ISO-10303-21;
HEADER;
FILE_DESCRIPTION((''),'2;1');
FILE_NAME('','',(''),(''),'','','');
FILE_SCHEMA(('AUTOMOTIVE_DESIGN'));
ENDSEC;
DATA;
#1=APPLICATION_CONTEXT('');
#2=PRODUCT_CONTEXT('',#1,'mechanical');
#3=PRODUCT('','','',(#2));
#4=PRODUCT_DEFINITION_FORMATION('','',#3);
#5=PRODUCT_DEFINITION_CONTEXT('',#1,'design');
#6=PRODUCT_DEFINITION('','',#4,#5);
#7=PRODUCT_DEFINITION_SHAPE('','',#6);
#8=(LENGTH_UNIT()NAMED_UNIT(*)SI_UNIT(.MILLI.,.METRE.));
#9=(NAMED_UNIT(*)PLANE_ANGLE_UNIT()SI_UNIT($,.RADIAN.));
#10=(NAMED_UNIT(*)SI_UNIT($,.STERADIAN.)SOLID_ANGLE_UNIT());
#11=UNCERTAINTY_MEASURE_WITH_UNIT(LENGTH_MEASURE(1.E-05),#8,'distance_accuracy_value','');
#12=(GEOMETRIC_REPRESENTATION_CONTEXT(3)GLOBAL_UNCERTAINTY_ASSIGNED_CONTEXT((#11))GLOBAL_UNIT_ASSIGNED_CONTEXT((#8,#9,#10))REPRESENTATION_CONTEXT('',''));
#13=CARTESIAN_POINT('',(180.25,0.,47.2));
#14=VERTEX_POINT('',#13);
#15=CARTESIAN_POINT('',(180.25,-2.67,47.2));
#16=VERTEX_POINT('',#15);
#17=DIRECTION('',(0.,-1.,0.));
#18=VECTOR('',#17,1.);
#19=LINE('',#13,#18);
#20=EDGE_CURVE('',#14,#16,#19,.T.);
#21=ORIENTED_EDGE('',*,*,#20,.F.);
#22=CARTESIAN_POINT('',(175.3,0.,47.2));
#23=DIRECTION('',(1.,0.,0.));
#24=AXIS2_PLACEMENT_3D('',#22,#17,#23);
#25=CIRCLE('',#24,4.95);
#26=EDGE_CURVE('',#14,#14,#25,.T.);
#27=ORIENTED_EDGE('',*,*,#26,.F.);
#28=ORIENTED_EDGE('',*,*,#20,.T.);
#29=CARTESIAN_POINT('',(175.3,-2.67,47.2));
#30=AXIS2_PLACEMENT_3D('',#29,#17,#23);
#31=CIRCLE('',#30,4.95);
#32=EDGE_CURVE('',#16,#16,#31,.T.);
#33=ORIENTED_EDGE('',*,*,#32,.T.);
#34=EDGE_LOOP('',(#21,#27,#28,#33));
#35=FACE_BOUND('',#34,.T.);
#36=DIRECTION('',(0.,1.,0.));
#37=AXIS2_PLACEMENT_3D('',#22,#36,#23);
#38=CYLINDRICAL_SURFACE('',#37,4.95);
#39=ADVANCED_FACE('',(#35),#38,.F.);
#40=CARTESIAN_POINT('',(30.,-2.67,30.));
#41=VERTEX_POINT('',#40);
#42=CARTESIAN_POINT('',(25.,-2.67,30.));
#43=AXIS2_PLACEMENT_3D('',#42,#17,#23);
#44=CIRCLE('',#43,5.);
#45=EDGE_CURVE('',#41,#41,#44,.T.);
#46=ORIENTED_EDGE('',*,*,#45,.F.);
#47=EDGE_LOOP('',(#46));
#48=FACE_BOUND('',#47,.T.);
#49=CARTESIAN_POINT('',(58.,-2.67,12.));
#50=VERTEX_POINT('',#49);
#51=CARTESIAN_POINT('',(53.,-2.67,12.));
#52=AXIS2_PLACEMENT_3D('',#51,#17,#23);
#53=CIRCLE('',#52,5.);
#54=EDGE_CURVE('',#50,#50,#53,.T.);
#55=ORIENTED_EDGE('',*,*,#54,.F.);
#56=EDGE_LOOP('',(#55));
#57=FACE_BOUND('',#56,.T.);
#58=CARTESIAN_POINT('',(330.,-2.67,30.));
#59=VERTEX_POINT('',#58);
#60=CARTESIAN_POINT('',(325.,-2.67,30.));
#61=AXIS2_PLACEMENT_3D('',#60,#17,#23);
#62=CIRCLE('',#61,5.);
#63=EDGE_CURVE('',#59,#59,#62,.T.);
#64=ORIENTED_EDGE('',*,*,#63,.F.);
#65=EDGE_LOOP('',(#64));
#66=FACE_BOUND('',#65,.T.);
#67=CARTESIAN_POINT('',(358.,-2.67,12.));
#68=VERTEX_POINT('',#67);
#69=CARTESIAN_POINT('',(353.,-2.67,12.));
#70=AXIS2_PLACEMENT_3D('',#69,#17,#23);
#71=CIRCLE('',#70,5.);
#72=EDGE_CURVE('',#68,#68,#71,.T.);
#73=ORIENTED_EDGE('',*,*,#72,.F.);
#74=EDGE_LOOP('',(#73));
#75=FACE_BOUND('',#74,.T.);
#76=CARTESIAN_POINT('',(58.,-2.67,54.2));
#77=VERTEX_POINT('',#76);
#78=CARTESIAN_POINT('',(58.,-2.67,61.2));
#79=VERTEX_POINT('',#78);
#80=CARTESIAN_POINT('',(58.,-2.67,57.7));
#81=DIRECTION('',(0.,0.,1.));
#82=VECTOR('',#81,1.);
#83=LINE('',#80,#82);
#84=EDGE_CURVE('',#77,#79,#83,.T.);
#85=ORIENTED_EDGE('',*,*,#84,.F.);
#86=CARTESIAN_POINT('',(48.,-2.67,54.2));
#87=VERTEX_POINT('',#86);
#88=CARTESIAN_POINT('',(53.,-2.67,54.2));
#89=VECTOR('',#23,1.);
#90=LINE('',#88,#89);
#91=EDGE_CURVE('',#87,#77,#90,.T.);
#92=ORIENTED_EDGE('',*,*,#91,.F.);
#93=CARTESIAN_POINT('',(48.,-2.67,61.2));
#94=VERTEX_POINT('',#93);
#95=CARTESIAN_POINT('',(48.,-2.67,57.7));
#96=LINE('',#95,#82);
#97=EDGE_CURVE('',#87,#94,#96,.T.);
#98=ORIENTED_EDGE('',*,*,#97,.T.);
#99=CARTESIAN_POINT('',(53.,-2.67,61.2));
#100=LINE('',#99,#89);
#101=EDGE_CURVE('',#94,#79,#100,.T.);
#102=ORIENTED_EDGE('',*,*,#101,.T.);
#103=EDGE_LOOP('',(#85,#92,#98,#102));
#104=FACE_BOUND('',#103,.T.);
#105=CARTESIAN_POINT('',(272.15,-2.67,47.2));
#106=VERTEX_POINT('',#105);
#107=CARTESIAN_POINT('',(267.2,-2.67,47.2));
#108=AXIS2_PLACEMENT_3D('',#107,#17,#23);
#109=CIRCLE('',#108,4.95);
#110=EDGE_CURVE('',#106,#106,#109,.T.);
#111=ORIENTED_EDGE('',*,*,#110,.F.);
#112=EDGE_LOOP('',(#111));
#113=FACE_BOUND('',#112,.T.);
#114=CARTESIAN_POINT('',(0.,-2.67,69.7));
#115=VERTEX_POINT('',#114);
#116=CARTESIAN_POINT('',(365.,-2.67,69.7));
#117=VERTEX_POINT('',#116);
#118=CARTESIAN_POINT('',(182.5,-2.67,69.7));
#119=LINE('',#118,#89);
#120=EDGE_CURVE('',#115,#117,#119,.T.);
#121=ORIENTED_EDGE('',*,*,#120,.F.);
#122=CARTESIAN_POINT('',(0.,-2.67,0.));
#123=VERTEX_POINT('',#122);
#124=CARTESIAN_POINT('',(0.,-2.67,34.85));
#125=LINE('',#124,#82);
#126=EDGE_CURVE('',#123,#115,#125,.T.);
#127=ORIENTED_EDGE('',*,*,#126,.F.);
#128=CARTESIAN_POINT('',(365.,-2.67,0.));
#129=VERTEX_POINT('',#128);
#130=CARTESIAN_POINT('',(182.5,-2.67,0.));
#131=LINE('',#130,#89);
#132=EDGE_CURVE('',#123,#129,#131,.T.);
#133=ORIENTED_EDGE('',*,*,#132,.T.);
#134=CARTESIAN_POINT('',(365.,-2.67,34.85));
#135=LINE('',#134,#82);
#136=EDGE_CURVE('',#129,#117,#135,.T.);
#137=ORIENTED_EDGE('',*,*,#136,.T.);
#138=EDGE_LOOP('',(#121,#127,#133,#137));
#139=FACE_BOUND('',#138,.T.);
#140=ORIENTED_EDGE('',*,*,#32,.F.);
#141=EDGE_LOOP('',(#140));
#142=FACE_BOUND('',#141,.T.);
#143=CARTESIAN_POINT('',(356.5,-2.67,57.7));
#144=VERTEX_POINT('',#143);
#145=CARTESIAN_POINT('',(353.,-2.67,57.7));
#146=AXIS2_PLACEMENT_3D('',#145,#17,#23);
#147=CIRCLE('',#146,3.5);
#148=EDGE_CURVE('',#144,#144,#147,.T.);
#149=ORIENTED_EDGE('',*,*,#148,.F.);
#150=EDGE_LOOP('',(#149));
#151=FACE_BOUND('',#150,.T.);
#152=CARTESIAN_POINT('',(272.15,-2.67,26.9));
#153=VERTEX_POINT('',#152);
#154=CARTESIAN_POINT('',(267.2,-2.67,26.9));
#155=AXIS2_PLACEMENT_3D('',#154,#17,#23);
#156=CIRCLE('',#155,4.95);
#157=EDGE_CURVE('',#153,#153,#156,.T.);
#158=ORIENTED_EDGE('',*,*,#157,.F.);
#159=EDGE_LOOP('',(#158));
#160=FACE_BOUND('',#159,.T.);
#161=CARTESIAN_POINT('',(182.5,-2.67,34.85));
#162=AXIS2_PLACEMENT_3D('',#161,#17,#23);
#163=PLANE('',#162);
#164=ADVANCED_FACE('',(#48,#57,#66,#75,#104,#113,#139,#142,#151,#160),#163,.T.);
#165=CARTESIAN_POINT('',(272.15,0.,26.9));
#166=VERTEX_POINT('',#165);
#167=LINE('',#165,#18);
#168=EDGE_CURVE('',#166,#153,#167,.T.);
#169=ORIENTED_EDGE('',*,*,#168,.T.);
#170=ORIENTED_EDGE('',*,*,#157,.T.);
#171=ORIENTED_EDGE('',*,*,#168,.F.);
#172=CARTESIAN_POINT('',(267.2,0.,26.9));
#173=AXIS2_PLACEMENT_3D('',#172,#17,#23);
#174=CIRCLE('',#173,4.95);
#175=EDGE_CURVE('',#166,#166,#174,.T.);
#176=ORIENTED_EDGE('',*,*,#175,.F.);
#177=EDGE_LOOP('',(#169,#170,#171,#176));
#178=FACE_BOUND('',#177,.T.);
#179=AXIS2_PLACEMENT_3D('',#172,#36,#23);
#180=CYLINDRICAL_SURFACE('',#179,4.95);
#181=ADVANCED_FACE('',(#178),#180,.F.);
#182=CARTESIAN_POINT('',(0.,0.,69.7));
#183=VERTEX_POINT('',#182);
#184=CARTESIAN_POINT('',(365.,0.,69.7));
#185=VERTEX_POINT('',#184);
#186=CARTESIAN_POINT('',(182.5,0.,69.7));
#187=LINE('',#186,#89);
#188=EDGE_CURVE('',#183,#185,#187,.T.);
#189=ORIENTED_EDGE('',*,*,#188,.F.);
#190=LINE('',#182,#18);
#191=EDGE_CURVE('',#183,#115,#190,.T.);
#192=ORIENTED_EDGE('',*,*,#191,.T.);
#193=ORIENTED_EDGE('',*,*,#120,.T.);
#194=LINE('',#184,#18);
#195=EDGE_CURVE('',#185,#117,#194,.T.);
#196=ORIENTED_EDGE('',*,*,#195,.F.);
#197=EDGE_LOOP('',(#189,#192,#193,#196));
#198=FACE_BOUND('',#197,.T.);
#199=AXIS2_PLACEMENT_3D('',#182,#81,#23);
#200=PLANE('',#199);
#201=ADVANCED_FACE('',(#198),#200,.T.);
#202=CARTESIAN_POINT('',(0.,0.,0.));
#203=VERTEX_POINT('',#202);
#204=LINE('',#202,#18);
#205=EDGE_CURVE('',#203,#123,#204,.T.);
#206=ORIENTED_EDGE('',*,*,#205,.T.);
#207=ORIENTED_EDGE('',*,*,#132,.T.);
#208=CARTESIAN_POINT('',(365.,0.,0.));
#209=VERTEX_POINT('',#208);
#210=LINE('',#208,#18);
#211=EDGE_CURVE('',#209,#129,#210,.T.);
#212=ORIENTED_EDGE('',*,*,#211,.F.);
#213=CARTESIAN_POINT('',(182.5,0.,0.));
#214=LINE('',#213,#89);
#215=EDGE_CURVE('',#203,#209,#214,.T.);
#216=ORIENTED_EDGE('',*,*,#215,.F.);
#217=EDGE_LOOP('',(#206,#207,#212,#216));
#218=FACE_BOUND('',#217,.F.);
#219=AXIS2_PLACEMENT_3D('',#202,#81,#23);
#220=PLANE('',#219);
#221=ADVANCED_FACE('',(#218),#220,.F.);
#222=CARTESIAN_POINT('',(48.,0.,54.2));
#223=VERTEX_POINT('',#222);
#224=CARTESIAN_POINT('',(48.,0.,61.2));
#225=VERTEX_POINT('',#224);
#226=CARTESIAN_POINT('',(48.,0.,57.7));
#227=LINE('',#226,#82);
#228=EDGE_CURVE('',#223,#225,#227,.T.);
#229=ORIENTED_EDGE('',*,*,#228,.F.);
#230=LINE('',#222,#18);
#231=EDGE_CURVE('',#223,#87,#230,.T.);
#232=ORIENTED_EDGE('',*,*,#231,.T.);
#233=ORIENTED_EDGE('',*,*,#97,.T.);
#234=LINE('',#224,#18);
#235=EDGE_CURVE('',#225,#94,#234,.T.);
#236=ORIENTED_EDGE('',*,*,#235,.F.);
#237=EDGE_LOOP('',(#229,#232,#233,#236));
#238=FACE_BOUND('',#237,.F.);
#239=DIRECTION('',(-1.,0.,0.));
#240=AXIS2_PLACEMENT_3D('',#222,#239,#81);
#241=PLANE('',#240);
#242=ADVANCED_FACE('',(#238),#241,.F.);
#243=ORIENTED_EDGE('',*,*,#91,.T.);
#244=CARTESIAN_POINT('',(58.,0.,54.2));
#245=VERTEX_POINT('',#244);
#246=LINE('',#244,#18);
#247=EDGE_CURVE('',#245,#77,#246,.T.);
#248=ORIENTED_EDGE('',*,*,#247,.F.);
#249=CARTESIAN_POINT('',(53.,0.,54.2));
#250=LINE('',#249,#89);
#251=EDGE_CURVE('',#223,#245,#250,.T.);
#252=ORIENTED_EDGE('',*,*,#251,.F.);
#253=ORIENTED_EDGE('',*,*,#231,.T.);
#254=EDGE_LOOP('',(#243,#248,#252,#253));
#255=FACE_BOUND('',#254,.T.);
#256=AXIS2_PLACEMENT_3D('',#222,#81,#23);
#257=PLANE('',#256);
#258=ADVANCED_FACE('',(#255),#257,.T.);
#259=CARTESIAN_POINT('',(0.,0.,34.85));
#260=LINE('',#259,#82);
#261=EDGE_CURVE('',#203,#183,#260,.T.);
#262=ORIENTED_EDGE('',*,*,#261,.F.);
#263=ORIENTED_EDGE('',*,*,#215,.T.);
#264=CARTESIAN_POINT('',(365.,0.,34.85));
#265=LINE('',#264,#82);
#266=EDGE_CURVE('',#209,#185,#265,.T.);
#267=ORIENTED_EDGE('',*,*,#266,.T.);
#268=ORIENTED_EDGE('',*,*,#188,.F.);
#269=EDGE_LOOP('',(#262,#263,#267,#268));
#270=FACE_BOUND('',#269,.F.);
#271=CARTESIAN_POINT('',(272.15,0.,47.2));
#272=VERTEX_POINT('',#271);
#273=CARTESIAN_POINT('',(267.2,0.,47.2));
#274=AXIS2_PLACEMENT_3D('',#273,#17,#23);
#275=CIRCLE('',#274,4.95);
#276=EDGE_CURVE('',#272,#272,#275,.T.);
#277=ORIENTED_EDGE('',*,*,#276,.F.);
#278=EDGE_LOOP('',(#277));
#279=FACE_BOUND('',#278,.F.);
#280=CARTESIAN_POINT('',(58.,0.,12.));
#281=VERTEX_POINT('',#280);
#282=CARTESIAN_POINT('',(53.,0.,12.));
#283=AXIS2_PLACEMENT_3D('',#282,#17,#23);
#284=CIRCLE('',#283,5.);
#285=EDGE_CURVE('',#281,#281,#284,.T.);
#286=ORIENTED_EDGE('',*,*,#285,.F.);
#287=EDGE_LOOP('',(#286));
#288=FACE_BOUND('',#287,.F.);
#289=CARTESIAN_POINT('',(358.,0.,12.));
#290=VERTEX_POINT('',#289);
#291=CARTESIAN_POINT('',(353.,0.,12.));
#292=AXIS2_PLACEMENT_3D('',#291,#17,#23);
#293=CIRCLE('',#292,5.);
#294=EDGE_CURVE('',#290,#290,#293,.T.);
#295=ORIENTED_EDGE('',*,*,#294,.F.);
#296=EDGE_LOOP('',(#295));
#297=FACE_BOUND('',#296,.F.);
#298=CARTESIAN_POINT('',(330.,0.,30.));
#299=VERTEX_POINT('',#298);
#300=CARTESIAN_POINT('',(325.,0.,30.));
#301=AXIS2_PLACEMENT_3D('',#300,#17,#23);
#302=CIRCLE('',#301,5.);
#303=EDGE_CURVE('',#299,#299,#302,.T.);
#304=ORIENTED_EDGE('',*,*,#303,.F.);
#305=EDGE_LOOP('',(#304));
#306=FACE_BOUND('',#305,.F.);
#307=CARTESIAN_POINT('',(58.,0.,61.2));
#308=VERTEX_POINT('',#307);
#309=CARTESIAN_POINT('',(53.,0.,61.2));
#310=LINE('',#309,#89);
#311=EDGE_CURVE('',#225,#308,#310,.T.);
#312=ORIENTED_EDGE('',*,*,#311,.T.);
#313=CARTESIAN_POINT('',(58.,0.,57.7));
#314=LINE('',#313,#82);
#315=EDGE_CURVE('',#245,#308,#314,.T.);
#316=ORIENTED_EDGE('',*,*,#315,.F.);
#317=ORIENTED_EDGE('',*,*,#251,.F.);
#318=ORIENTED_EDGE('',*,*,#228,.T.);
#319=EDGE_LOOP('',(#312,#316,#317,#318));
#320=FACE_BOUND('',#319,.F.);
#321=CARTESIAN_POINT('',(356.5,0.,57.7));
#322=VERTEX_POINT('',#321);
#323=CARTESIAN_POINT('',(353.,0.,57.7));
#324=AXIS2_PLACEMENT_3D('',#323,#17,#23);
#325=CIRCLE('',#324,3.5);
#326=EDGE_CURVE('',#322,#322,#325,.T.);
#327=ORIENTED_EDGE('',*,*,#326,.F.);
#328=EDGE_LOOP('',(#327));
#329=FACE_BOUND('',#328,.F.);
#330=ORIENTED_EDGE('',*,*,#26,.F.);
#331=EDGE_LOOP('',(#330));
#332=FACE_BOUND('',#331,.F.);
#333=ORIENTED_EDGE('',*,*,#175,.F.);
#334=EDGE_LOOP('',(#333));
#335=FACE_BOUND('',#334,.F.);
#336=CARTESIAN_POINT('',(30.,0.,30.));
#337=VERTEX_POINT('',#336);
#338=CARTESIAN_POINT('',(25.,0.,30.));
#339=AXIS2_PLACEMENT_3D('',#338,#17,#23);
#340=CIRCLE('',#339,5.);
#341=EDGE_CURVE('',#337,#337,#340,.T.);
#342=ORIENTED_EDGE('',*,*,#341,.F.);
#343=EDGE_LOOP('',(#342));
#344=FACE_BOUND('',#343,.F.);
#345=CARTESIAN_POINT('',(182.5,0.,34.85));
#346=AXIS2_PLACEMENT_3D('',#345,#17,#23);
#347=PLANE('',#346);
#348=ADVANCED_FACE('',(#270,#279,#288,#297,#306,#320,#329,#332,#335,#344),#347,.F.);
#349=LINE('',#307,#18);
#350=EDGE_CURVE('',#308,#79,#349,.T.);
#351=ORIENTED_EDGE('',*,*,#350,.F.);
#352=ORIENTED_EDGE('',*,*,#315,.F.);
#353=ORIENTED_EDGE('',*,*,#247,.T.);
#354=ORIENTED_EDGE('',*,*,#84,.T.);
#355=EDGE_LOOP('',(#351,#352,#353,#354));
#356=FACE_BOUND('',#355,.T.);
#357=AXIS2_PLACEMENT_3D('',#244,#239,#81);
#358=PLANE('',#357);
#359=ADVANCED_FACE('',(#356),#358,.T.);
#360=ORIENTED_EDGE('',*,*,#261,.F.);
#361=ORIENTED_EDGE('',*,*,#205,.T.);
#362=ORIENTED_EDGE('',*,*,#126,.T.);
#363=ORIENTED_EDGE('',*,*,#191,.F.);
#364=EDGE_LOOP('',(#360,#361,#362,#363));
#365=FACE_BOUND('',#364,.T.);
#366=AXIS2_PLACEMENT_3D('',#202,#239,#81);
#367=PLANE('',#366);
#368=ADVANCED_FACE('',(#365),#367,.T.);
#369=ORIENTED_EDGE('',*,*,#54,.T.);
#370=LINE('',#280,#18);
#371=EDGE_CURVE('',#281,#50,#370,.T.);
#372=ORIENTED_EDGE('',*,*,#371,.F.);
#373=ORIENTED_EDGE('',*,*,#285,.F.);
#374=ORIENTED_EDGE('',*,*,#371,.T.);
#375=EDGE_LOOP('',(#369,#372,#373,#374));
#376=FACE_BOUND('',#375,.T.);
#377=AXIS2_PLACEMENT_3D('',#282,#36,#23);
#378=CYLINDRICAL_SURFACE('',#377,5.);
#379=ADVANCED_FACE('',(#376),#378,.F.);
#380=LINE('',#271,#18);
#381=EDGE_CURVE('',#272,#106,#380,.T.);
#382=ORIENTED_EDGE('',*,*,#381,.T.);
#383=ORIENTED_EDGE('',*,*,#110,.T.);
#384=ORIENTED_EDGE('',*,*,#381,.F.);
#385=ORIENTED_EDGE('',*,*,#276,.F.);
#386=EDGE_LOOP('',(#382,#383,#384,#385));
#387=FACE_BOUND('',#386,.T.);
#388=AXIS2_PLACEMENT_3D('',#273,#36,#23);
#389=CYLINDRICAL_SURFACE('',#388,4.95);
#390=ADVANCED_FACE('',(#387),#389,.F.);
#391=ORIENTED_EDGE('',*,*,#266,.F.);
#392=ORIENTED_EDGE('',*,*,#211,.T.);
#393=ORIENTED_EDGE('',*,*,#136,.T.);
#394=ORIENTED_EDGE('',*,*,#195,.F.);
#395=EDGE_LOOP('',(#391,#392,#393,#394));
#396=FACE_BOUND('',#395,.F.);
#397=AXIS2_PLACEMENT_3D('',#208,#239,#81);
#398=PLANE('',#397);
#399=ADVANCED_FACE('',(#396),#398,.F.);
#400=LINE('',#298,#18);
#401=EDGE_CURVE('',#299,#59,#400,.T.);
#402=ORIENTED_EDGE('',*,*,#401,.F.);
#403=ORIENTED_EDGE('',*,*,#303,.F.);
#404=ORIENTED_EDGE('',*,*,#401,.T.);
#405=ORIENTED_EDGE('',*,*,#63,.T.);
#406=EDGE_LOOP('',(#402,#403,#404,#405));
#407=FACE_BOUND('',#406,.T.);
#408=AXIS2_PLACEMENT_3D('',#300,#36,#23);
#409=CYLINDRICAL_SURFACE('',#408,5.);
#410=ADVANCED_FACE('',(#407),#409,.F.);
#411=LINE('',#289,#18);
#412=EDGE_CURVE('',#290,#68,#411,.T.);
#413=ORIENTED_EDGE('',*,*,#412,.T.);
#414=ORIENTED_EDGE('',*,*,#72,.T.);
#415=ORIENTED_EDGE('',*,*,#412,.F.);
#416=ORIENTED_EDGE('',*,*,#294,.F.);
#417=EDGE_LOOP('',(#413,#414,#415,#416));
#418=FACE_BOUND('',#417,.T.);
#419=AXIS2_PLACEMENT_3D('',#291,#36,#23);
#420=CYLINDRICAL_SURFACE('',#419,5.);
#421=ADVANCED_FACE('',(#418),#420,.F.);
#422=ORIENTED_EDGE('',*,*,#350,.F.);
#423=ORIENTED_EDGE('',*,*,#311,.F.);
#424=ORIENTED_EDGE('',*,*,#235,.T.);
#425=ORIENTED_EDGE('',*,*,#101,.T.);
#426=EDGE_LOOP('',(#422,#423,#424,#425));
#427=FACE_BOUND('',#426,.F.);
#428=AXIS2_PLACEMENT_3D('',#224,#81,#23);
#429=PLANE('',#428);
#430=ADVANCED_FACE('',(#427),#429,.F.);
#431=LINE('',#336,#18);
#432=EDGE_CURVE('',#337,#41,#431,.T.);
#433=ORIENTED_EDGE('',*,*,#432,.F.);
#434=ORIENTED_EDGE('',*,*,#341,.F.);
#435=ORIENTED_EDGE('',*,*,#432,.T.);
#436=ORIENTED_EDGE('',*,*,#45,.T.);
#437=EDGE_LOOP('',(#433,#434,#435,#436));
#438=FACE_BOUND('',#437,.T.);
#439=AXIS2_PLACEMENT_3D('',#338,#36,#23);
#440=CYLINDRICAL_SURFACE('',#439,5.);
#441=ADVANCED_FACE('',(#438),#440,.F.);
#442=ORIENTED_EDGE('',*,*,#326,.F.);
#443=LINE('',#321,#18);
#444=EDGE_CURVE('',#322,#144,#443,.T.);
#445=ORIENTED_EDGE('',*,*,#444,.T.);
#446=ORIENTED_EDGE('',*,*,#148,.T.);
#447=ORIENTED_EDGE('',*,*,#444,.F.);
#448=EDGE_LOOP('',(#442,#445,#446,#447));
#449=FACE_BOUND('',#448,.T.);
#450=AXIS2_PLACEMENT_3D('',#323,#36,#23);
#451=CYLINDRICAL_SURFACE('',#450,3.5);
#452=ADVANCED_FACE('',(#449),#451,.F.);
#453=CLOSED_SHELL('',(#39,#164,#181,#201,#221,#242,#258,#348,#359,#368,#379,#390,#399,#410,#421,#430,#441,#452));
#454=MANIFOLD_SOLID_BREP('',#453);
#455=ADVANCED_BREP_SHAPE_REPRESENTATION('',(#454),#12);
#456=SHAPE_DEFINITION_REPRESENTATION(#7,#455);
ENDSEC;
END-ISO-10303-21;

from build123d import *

# Parameters (mm, degrees)
F0_W     = 365
F0_H     = 69.7
F0_R     = 5
F0_R_2   = 4.95
F0_W_2   = 10
F0_H_2   = 7
F0_R_3   = 3.5
F1_DEPTH = 2.67


with BuildPart() as f1:
    # F0 (on Front) → F1 (new body)
    with BuildSketch(Plane.XZ):
        with Locations((182.5, 34.85)):
            Rectangle(F0_W, F0_H)
        with Locations((53, 12)):
            Circle(F0_R, mode=Mode.SUBTRACT)
        with Locations((25, 30)):
            Circle(F0_R, mode=Mode.SUBTRACT)
        with Locations((353, 12)):
            Circle(F0_R, mode=Mode.SUBTRACT)
        with Locations((267.2, 26.9)):
            Circle(F0_R_2, mode=Mode.SUBTRACT)
        with Locations((325, 30)):
            Circle(F0_R, mode=Mode.SUBTRACT)
        with Locations((175.3, 47.2)):
            Circle(F0_R_2, mode=Mode.SUBTRACT)
        with Locations((53, 57.7)):
            Rectangle(F0_W_2, F0_H_2, mode=Mode.SUBTRACT)
        with Locations((267.2, 47.2)):
            Circle(F0_R_2, mode=Mode.SUBTRACT)
        with Locations((353, 57.7)):
            Circle(F0_R_3, mode=Mode.SUBTRACT)
    extrude(amount=F1_DEPTH)


solid = f1.part
